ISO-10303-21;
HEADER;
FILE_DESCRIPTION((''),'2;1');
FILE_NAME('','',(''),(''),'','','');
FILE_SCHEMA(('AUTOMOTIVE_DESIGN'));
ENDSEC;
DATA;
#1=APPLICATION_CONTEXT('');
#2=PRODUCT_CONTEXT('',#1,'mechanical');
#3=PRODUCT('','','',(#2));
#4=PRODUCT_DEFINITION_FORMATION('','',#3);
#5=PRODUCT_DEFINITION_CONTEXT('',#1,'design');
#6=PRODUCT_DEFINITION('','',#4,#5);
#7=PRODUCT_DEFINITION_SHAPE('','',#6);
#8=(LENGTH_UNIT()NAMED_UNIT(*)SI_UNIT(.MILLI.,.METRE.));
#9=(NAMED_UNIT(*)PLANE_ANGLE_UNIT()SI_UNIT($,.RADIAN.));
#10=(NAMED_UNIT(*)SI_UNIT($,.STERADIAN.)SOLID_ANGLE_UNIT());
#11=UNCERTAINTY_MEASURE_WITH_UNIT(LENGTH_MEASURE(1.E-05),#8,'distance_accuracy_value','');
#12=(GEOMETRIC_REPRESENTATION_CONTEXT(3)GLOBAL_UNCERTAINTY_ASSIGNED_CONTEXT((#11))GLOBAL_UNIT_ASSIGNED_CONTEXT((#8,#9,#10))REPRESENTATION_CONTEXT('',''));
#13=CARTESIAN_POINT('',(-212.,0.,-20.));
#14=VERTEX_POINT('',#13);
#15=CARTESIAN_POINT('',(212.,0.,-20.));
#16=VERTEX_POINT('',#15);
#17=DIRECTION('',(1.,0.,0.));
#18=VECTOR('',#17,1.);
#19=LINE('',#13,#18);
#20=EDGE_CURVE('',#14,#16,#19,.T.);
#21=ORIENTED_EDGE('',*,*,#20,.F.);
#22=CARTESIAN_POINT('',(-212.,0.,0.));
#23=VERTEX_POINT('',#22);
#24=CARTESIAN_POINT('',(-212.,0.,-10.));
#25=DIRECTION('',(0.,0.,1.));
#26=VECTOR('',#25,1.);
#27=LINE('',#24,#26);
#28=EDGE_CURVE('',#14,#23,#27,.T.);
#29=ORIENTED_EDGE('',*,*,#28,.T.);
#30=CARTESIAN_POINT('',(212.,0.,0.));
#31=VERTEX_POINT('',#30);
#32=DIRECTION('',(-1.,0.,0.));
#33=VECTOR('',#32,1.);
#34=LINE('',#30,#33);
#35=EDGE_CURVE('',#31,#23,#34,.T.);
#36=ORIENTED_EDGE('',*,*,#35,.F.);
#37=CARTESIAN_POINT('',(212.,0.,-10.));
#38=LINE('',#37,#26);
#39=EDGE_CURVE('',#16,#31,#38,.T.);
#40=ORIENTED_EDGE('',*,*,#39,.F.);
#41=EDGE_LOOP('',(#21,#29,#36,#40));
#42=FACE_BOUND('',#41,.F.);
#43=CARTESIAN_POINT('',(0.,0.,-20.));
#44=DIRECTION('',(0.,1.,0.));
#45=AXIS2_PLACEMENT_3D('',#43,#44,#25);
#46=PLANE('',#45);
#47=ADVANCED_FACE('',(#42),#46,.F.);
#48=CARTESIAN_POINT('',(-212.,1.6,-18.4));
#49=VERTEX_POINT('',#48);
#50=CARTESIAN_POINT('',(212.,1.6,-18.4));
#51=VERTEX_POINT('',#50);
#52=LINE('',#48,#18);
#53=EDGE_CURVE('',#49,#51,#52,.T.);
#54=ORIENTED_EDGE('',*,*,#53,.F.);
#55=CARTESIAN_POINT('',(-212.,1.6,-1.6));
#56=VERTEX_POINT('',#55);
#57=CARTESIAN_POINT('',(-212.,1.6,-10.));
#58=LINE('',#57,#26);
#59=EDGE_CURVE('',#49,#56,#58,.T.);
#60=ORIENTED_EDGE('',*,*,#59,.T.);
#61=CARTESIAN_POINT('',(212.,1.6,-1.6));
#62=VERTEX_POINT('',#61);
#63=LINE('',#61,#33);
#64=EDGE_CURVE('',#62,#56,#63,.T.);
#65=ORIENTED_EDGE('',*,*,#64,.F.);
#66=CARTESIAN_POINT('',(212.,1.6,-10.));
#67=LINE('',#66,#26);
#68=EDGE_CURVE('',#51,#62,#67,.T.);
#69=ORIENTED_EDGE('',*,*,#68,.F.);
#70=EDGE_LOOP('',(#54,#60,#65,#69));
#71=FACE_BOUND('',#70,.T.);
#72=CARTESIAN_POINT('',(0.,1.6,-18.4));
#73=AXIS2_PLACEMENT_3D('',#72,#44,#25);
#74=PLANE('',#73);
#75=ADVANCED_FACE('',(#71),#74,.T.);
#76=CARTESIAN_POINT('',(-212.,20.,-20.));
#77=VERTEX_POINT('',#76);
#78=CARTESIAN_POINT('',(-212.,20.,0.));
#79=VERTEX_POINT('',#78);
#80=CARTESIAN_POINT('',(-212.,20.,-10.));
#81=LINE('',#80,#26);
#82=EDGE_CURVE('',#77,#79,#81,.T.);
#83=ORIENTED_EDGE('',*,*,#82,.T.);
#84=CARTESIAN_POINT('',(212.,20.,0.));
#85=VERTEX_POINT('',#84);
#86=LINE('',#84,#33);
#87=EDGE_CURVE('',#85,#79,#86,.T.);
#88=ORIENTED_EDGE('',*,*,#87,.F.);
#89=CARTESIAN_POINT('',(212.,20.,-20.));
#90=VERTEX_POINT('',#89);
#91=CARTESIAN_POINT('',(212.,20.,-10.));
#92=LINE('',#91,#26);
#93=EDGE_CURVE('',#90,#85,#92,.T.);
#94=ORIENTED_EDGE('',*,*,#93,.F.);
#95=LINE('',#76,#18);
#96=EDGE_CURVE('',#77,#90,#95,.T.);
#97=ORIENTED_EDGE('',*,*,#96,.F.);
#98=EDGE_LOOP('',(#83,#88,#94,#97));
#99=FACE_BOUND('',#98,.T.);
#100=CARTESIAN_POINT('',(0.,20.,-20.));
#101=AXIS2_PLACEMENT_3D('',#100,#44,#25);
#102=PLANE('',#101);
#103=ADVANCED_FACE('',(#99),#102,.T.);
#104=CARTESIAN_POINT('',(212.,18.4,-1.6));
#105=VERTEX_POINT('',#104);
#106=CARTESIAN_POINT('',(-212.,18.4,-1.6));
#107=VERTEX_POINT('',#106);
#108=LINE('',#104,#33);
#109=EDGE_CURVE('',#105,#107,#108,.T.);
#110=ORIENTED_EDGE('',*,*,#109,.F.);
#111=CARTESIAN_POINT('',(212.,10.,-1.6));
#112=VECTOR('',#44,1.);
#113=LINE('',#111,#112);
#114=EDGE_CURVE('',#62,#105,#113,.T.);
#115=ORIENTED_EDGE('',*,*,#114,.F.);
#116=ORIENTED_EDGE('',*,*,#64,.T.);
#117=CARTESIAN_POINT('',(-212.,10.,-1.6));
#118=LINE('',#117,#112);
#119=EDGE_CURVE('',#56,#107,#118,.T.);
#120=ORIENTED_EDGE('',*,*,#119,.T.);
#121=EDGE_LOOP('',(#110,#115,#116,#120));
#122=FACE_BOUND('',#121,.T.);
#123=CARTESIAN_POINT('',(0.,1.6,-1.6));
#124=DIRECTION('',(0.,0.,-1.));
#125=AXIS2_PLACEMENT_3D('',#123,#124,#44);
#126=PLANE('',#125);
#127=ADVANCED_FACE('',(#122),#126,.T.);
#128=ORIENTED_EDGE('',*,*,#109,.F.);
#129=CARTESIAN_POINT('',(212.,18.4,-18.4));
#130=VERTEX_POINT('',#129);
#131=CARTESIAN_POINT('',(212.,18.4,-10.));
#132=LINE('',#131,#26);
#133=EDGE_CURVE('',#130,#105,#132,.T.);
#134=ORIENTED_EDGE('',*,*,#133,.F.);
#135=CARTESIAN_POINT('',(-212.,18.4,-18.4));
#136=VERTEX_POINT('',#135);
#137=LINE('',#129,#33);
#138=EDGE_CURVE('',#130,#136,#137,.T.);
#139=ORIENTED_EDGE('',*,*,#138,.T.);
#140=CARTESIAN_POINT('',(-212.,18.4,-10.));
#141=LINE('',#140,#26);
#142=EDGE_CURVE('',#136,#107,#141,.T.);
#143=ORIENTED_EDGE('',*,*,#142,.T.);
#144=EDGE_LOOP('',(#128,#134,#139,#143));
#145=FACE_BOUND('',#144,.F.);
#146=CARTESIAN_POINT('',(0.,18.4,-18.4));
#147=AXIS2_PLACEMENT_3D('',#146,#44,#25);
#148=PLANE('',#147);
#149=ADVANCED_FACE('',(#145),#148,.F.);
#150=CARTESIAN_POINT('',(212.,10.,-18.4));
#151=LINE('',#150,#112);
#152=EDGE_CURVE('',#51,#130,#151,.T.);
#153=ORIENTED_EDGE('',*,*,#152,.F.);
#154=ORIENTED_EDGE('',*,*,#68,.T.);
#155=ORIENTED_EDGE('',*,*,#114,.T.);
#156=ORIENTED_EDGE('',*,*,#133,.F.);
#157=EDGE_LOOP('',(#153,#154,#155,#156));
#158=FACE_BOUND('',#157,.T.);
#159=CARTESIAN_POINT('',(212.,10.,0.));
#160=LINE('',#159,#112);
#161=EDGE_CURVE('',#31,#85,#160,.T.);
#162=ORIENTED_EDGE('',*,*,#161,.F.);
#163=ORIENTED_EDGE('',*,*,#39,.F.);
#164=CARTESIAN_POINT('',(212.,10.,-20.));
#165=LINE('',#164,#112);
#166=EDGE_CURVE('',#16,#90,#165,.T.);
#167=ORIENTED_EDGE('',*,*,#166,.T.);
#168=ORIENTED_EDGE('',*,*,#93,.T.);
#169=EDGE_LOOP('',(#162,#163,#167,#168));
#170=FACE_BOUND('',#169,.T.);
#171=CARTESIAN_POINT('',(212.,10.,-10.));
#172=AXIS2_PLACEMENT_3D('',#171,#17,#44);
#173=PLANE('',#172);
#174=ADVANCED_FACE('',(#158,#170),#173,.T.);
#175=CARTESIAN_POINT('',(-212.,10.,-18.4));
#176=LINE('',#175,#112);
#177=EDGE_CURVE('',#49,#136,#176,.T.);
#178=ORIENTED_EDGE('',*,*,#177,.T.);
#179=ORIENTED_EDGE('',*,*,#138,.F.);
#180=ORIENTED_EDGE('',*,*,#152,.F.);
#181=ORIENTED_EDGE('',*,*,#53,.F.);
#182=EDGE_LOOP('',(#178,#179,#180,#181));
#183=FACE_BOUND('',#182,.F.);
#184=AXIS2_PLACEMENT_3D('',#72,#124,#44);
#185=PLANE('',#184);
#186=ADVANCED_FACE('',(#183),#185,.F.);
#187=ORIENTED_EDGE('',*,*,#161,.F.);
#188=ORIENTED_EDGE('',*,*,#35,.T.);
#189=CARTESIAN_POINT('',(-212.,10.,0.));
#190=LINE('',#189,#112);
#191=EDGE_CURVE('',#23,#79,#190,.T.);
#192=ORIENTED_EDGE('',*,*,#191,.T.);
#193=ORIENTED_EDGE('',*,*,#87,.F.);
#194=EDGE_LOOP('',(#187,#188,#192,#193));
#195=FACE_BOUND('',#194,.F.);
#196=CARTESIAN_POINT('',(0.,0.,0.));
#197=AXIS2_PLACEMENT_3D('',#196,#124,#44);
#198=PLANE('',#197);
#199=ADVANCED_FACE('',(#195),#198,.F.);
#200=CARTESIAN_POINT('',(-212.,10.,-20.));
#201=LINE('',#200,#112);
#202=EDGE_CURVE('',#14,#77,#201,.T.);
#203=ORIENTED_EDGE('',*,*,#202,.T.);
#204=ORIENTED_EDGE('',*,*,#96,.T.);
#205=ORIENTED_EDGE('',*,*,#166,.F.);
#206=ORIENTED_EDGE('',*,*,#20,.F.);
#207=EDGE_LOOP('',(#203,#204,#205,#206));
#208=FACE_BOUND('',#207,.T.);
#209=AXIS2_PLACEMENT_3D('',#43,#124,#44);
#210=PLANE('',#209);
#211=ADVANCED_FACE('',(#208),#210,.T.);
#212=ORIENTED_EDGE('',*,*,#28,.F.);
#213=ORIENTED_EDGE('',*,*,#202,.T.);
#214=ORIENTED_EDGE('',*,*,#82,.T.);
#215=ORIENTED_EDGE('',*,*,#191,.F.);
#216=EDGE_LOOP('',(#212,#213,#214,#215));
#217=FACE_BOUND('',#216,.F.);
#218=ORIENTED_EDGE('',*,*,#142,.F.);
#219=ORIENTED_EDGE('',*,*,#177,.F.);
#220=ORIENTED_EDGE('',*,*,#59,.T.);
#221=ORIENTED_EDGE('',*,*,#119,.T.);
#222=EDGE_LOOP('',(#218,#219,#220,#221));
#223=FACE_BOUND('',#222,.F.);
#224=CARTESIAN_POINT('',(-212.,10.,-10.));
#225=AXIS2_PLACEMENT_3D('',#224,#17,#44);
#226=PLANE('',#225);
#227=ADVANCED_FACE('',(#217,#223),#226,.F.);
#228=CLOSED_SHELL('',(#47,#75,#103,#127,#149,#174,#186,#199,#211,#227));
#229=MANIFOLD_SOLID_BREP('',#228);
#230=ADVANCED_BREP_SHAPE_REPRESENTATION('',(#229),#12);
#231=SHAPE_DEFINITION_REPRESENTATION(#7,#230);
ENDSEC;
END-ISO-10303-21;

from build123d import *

# Parameters (mm, degrees)
F0_W     = 20
F0_H     = 20
F0_W_2   = 16.8
F0_H_2   = 16.8
F1_DEPTH = 212


with BuildPart() as f1:
    # F0 (on Right) → F1 (new body, symmetric)
    with BuildSketch(Plane.YZ):
        with Locations((10, -10)):
            Rectangle(F0_W, F0_H)
        with Locations((10, -10)):
            Rectangle(F0_W_2, F0_H_2, mode=Mode.SUBTRACT)
    extrude(amount=F1_DEPTH, both=True)


solid = f1.part
